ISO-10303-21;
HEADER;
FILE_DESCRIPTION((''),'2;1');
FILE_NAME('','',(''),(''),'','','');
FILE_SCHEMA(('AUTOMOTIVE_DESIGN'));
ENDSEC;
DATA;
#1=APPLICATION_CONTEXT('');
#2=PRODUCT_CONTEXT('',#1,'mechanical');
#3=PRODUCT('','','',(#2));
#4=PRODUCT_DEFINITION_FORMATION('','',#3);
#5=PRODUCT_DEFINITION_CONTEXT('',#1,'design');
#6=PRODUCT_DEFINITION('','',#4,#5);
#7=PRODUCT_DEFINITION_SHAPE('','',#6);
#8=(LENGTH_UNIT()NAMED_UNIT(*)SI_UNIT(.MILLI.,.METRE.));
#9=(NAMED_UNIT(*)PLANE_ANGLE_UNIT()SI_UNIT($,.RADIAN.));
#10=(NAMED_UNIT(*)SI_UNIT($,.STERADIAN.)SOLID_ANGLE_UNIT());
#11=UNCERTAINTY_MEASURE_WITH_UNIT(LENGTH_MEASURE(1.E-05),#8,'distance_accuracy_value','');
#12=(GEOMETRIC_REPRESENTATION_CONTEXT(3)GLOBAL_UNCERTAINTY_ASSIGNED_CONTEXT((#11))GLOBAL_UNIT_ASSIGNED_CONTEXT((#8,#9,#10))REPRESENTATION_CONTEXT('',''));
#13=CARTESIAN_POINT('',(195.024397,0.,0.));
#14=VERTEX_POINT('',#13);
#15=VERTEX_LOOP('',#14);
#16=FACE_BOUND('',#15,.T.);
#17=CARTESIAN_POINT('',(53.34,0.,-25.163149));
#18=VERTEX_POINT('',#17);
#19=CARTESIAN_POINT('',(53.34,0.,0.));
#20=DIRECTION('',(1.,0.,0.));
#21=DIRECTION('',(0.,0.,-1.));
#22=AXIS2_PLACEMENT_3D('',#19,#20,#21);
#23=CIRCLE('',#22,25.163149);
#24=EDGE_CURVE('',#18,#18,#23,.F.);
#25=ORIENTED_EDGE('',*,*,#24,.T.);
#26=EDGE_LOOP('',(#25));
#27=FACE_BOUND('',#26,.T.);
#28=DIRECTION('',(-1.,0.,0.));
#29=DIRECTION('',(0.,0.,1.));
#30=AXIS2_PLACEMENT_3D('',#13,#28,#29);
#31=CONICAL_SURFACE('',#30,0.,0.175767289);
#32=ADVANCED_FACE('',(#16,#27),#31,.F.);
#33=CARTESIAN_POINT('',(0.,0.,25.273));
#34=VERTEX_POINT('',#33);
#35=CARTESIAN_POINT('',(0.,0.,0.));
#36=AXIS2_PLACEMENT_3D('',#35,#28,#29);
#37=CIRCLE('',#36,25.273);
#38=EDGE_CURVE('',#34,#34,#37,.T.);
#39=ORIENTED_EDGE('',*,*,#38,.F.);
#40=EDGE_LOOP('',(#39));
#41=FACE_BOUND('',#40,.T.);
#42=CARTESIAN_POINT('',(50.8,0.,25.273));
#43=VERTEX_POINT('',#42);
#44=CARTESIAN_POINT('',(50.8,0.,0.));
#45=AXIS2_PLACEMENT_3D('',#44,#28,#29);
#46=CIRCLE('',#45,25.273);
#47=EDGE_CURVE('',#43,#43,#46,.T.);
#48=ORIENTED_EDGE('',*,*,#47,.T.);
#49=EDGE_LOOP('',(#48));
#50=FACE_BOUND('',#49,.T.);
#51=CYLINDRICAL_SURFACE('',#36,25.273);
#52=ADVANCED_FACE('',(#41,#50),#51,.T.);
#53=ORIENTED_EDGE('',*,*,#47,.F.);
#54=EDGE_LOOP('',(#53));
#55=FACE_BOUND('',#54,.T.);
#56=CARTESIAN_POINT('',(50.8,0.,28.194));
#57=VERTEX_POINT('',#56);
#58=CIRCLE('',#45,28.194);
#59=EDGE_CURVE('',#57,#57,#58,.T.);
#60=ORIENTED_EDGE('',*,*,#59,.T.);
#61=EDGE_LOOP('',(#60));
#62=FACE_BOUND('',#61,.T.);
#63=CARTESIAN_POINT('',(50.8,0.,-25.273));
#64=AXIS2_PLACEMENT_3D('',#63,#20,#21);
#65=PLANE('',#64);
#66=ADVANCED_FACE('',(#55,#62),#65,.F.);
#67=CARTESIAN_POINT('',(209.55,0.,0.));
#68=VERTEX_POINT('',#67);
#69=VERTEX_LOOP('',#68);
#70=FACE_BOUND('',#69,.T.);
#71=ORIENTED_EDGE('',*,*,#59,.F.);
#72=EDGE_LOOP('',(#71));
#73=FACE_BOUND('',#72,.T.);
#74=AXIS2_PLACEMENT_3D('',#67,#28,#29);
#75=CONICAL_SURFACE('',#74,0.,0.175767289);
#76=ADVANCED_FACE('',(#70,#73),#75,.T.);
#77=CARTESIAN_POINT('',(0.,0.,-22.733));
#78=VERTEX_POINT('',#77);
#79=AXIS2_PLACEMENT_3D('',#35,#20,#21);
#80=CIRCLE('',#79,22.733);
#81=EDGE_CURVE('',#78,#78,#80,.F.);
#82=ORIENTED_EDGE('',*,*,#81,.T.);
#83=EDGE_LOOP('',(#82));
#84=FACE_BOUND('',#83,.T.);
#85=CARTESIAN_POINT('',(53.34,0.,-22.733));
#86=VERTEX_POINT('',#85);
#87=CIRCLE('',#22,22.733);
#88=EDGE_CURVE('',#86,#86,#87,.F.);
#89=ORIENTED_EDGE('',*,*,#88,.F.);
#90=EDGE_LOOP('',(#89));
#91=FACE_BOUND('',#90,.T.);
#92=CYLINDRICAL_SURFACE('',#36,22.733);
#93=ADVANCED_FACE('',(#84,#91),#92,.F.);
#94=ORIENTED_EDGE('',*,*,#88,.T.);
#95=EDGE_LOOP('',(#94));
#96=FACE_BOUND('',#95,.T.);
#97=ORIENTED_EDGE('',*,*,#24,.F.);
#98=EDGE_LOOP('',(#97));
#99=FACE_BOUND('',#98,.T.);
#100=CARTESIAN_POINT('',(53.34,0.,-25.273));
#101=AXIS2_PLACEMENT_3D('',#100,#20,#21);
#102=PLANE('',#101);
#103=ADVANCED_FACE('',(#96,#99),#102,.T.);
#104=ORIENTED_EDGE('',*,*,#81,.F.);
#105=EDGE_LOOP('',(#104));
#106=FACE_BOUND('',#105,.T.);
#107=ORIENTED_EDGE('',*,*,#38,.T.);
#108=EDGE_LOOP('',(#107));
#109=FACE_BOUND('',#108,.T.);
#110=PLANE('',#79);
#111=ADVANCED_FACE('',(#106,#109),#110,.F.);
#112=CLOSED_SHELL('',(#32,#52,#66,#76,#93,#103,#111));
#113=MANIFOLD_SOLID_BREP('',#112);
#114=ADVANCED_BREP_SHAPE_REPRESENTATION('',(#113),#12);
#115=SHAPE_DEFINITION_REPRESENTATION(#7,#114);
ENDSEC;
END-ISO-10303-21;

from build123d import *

# Parameters (mm, degrees)
SHELL1_T = -2.54


with BuildPart() as part:
    # Sketch1 → Revolve2 (revolve)
    with BuildSketch(Plane(origin=(0, 0, 0), x_dir=(1, 0, 0), z_dir=(0, 1, 0))):
        Polygon((0, 0), (0, 25.273), (50.8, 25.273), (50.8, 28.194), (209.55, 0), align=None)
    revolve(axis=Axis((0, 0, 0), (1, 0, 0)))

    # Shell1
    shell1_openings = [part.faces().sort_by_distance(p)[0] for p in [
        (0, 0, 25.273),
    ]]
    offset(amount=SHELL1_T, openings=shell1_openings, kind=Kind.INTERSECTION)


solid = part.part
